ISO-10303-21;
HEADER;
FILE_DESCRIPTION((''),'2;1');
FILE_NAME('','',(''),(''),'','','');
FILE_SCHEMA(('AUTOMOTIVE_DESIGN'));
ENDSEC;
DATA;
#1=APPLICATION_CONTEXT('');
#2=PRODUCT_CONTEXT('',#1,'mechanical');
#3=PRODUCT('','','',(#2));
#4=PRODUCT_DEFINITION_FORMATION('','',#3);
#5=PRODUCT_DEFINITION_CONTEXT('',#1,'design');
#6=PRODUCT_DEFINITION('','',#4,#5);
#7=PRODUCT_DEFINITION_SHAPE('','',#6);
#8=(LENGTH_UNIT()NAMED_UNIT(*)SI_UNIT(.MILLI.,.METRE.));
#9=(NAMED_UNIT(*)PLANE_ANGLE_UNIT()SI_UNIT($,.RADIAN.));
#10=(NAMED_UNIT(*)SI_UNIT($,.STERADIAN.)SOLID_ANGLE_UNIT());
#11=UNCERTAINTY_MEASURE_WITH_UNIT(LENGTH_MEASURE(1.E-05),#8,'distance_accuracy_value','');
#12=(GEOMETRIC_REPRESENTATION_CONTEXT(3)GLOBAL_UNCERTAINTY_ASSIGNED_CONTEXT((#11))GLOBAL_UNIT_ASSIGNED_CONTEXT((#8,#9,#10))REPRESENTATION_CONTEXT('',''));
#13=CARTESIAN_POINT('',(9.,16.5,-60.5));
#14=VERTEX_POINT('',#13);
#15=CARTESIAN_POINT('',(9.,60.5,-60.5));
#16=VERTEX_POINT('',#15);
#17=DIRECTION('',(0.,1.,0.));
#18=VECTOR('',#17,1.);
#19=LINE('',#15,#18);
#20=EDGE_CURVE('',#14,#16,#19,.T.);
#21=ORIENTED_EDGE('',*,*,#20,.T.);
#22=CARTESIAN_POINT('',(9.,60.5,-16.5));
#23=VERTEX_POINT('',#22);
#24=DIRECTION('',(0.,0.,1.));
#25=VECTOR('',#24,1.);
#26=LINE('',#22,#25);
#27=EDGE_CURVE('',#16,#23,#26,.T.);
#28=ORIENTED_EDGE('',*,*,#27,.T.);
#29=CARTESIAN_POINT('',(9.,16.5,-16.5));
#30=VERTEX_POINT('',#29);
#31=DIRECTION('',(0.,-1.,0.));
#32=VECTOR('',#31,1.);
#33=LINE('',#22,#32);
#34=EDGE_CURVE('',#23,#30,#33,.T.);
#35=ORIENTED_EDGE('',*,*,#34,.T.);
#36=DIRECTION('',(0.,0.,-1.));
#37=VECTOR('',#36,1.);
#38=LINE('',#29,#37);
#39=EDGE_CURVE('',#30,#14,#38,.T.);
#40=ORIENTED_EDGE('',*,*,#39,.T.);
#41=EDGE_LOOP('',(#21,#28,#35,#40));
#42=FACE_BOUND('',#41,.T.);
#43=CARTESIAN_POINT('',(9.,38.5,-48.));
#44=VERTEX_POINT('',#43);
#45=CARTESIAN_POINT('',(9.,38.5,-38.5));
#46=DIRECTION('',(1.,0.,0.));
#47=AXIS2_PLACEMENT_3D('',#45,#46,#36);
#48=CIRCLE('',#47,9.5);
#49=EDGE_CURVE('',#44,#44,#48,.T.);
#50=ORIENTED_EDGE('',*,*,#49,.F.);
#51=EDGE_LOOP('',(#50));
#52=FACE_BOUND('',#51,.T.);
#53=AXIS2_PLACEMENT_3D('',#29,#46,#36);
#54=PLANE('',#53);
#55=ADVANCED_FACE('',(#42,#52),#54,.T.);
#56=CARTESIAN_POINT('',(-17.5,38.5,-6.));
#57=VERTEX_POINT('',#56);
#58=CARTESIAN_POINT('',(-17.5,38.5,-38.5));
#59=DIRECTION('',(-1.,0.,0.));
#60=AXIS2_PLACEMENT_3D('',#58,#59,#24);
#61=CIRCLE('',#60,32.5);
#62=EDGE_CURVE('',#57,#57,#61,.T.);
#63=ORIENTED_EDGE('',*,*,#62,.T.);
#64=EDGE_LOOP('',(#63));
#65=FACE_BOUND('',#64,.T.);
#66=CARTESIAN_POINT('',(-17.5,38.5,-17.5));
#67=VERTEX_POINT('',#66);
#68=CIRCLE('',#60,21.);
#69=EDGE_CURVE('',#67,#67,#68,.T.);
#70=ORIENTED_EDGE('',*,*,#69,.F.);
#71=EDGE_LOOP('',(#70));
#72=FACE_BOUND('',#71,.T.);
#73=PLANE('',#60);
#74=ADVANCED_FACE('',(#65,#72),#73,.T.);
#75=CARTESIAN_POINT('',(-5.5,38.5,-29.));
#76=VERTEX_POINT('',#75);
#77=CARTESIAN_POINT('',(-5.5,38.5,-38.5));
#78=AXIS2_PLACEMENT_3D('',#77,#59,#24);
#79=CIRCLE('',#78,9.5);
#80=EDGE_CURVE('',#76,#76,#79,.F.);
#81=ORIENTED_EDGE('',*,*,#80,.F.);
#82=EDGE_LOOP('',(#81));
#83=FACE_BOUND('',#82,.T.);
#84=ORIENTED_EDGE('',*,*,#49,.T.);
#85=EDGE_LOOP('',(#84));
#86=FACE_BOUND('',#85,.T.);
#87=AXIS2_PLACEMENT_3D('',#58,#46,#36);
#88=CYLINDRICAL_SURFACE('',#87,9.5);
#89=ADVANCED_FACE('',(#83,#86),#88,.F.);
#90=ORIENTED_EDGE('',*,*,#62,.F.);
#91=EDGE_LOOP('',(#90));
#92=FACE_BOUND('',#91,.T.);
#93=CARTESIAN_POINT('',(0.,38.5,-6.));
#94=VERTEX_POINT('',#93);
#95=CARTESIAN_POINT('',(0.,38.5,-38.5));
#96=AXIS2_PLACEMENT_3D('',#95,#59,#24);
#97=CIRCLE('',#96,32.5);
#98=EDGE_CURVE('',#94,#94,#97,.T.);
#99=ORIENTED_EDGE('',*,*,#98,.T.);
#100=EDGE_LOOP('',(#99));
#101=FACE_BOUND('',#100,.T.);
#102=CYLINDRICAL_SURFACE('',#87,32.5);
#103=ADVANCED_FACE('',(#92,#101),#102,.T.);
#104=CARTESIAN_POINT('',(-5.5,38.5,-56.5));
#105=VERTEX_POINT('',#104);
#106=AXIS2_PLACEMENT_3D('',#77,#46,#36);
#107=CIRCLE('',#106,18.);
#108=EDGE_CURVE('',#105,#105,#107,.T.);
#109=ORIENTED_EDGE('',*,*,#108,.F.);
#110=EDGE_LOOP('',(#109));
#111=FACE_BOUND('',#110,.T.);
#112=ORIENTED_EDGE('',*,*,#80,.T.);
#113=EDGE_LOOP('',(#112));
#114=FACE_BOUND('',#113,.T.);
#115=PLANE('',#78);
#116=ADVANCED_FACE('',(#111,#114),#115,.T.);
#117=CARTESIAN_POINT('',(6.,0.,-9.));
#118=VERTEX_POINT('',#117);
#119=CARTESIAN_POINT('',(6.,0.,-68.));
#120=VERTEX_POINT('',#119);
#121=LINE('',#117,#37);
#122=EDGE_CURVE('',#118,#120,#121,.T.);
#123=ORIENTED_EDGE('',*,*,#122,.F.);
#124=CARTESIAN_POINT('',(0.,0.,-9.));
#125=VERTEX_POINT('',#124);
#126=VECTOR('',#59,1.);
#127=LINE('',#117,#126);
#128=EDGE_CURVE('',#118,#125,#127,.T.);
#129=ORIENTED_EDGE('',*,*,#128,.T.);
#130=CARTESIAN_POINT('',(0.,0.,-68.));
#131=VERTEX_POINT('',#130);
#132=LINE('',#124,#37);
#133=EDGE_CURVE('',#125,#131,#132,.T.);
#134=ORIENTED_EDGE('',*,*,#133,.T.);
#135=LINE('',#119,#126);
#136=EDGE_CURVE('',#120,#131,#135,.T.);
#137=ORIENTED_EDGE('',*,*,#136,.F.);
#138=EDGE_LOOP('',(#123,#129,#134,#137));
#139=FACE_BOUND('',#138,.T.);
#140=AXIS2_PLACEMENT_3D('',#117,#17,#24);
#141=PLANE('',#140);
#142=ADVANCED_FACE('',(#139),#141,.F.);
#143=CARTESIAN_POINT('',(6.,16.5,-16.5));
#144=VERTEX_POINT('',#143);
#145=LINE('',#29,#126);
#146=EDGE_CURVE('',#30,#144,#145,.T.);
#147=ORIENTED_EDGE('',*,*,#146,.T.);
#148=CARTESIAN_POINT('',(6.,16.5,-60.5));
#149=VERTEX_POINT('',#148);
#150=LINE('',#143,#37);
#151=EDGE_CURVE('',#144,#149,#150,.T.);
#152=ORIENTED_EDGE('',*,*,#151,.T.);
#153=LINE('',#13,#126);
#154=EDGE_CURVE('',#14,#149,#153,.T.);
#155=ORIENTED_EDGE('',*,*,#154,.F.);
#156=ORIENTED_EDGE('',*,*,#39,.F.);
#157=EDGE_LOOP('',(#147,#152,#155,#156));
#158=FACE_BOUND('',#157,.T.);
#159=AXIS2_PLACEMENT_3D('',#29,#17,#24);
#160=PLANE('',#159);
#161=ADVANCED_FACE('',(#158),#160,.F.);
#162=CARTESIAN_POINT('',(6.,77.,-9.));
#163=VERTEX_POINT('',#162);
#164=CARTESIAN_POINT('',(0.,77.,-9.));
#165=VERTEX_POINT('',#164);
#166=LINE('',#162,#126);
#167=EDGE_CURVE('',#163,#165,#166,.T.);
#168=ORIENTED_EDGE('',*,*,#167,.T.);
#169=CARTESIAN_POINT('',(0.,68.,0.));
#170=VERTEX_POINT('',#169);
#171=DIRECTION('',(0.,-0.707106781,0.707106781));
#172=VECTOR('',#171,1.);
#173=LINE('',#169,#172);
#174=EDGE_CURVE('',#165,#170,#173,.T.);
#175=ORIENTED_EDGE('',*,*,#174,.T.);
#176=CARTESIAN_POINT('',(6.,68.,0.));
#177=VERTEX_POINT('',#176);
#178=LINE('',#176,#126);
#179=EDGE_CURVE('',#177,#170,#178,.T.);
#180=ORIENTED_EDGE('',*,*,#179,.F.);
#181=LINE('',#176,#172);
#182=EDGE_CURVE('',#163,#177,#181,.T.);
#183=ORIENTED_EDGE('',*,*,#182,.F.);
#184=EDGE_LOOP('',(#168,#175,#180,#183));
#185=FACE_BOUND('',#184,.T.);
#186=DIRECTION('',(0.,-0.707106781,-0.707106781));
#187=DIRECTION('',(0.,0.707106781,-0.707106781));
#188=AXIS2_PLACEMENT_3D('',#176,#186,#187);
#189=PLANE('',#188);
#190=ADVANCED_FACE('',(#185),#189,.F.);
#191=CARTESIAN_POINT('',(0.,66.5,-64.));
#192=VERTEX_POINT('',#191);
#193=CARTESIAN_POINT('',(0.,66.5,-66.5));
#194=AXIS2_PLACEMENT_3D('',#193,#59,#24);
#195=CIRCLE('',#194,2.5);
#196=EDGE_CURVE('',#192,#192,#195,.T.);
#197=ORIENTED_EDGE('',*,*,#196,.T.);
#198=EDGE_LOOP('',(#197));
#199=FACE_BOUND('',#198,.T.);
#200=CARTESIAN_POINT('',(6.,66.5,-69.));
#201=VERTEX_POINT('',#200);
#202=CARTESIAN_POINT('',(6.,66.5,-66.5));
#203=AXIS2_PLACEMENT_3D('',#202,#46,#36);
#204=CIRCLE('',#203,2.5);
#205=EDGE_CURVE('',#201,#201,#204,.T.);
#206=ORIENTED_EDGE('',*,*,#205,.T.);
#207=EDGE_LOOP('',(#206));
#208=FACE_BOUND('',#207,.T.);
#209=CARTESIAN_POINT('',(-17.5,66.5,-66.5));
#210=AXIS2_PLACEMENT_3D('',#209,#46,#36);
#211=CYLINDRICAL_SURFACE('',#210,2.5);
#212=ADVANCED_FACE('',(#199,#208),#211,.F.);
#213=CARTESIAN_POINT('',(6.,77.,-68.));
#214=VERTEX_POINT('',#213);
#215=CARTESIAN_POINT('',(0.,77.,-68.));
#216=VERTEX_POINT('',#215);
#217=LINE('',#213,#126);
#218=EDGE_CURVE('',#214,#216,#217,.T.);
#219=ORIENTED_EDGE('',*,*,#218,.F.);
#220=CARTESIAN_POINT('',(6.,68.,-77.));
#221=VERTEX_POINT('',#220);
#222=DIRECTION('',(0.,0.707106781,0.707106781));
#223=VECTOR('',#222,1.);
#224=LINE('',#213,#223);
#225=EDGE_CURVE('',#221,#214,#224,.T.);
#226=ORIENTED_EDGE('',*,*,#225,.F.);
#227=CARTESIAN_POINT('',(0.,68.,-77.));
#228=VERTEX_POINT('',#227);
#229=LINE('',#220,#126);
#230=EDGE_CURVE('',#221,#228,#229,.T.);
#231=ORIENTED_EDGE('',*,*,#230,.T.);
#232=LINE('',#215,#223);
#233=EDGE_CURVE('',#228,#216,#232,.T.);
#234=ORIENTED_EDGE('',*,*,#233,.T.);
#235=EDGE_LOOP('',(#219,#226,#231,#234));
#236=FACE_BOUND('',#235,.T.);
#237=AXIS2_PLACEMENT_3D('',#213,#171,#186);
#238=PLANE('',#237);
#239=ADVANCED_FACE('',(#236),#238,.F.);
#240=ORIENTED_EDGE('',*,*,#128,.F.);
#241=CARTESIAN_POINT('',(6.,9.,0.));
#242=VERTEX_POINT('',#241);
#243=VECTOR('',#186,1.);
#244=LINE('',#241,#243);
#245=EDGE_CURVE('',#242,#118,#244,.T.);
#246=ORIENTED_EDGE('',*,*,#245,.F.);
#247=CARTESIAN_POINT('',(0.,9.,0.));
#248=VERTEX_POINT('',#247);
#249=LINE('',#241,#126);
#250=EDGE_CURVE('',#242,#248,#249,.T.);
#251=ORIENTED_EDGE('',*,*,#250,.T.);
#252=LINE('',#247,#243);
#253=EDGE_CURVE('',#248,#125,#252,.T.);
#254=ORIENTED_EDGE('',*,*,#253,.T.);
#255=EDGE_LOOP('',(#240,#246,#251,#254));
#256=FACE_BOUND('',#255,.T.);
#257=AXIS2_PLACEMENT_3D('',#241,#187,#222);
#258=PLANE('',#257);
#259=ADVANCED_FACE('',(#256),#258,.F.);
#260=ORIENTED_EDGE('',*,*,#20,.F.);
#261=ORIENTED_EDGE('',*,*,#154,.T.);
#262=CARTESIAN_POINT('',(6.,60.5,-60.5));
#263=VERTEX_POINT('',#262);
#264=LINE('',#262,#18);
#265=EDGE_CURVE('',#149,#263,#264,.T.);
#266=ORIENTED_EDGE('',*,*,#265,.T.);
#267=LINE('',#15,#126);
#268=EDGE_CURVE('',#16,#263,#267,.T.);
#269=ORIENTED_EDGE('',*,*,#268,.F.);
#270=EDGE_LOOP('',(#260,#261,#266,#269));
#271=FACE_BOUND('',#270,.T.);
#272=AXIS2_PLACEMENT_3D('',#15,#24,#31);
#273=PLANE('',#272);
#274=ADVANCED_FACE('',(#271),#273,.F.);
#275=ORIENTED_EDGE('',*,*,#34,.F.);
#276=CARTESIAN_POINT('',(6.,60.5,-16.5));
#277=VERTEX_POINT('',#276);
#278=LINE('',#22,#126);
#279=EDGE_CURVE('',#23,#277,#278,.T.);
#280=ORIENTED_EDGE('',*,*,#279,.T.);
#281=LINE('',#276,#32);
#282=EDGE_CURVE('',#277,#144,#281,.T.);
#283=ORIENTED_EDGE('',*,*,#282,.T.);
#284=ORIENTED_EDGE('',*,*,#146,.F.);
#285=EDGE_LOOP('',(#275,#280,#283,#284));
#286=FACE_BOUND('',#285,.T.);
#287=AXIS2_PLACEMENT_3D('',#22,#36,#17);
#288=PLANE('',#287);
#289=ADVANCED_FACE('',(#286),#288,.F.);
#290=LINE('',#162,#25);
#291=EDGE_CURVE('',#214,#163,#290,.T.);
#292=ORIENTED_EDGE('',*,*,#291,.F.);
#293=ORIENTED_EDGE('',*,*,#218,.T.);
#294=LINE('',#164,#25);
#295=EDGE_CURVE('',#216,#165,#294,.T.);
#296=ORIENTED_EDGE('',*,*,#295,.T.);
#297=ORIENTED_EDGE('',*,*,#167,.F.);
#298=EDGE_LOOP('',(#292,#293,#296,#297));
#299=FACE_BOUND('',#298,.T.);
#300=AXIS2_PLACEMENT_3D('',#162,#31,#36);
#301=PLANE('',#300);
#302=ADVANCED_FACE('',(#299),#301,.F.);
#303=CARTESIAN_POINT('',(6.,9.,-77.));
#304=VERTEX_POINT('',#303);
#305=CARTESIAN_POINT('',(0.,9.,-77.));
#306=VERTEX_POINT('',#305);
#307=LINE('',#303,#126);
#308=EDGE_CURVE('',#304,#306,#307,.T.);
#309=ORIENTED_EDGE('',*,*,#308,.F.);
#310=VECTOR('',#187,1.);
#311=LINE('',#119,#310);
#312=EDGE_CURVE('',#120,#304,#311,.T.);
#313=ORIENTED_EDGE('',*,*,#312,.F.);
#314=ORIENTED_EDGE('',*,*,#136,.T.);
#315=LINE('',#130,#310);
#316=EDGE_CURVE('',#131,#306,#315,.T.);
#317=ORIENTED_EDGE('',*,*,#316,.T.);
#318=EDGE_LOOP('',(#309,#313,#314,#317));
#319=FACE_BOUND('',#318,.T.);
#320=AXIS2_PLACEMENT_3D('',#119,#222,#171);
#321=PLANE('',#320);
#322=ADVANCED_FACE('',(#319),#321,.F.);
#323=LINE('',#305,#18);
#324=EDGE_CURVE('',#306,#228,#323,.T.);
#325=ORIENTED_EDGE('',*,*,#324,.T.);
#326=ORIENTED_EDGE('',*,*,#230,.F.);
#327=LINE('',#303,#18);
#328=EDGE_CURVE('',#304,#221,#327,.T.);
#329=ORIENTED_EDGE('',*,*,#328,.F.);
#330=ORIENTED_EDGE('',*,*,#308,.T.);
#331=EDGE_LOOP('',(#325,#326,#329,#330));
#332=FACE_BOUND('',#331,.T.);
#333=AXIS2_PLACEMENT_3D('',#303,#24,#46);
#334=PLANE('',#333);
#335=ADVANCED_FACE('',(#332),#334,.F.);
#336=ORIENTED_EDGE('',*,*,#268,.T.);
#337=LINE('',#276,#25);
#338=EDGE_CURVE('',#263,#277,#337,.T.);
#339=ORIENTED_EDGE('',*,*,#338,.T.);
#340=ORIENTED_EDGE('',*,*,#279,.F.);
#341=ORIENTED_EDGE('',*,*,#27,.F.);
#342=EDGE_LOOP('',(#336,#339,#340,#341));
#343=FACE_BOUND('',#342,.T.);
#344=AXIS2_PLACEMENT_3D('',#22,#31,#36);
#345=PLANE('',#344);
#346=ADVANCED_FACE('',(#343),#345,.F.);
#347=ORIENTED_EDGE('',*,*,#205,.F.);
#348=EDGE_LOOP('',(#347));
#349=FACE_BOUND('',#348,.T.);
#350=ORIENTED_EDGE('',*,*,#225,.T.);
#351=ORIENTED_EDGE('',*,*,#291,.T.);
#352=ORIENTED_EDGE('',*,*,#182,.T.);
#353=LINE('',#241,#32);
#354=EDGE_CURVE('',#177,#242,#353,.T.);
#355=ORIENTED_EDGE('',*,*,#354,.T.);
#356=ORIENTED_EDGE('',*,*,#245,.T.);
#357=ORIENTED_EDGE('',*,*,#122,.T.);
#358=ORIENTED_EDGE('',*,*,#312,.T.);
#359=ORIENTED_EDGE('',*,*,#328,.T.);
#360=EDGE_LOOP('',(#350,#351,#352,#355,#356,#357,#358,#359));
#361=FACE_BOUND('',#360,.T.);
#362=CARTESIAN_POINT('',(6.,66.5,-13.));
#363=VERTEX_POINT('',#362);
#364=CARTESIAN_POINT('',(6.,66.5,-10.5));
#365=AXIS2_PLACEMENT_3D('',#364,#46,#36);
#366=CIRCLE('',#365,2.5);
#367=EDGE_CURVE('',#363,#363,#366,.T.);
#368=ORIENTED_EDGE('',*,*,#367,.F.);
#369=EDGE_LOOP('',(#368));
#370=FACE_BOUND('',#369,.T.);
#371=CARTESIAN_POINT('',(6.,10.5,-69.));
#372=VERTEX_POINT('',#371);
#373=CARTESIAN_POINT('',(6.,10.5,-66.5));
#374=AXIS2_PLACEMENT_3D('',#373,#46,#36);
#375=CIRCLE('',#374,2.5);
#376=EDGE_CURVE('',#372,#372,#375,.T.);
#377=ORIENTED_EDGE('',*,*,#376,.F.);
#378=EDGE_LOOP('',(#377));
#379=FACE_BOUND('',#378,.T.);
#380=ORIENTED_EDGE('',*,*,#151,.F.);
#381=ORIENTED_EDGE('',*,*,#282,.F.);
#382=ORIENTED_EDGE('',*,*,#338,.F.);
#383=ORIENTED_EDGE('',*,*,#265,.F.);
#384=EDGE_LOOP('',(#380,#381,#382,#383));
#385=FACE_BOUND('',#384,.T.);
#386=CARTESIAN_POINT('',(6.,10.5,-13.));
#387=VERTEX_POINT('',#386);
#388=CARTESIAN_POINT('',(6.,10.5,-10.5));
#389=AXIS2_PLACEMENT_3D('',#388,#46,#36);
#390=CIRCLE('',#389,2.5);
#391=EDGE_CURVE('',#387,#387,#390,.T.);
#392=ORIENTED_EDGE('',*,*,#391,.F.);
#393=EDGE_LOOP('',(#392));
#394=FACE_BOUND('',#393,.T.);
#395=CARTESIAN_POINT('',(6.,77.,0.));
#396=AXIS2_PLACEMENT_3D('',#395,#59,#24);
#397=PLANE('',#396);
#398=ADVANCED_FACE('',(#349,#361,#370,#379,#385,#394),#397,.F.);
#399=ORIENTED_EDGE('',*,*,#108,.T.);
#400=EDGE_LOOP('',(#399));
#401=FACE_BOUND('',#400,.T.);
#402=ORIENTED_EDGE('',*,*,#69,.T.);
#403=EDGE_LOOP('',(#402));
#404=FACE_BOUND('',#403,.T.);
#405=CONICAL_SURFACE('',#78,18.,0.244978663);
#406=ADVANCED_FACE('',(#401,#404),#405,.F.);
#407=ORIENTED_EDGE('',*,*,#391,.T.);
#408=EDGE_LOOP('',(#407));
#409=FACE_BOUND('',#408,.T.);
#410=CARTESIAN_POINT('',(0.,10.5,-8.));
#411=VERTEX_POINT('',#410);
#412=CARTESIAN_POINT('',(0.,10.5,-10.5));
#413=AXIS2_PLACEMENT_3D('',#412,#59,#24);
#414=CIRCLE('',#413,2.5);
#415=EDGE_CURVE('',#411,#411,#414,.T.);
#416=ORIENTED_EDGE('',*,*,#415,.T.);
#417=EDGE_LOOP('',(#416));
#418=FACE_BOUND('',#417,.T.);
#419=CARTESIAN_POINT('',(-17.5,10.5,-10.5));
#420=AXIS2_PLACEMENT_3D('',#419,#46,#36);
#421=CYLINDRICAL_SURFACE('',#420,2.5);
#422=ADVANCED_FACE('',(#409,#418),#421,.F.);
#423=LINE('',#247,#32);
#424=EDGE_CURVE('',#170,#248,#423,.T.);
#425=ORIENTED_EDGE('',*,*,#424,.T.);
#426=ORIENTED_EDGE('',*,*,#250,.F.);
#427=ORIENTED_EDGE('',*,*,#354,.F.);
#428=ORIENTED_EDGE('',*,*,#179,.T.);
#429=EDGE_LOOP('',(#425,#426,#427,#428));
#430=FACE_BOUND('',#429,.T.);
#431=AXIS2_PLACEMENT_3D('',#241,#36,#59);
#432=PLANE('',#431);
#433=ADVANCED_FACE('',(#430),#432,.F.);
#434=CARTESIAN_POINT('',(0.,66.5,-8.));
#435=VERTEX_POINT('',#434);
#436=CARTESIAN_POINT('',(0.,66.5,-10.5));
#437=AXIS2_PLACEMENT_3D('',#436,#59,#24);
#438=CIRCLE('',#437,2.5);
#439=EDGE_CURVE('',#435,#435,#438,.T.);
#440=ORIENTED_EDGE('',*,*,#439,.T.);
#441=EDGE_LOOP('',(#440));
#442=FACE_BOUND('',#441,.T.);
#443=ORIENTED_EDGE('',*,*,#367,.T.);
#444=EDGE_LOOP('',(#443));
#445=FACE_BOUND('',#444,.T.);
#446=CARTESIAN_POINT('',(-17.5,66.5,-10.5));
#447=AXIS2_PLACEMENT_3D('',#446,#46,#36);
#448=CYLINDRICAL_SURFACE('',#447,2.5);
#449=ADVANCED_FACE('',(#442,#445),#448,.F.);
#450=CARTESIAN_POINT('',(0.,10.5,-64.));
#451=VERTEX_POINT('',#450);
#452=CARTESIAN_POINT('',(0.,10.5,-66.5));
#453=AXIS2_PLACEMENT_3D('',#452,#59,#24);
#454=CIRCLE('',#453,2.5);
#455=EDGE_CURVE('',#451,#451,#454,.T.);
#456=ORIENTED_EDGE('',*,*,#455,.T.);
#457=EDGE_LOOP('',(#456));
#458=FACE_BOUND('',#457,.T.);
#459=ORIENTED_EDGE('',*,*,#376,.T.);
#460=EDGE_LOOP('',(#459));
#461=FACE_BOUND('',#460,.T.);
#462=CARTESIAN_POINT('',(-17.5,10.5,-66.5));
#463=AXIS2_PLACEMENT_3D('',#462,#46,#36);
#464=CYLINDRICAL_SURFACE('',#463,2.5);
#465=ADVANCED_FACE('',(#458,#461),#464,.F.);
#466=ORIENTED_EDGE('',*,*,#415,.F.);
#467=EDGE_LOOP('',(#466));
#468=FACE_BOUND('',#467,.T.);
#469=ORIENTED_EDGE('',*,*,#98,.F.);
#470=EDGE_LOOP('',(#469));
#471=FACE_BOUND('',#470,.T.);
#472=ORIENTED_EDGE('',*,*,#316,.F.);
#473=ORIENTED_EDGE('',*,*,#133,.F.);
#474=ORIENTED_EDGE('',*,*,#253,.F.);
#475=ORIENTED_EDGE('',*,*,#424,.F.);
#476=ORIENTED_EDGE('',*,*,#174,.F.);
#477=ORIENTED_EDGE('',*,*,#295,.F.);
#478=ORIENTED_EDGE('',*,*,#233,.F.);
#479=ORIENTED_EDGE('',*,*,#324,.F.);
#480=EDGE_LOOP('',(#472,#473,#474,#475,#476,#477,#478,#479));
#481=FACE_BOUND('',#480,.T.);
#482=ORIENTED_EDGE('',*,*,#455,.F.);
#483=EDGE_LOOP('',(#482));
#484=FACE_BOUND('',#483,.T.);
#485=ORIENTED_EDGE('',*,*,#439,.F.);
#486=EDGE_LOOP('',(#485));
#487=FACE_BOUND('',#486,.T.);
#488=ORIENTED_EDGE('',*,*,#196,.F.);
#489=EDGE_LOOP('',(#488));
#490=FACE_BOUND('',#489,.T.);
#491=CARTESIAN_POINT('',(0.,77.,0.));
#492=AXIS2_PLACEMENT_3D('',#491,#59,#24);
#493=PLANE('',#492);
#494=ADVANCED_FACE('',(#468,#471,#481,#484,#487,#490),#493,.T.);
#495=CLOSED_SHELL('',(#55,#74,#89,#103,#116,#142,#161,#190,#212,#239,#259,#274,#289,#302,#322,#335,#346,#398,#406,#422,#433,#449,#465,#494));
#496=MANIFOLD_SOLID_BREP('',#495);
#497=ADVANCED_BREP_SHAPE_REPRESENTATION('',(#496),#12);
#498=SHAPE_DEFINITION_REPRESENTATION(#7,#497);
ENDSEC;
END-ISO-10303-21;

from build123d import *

# Parameters (mm, degrees)
EXTRUDE1_DEPTH            = 6
SKETCH2_W                 = 44
SKETCH2_H                 = 44
EXTRUDE2_DEPTH            = 3
SKETCH4_R                 = 32.5
EXTRUDE3_DEPTH            = 17.5
SKETCH3_R                 = 9.5
EXTRUDE4_DEPTH            = 27.5
SKETCH16_R                = 21
EXTRUDE7_DEPTH            = 12
SKETCH19_R                = 2.5
EXTRUDE8_DEPTH            = 24.5
LPATTERN1_COUNT           = 2
LPATTERN1_PITCH           = 56
LPATTERN2_COUNT           = 2
LPATTERN2_PITCH           = 56
LPATTERN2_COPY_1_SKETCH_R = 2.5
LPATTERN2_COPY_1_DEPTH    = 24.5


with BuildPart() as part:
    # Sketch1 → Extrude1 (new body)
    with BuildSketch(Plane(origin=(0, 0, 0), x_dir=(0, 0, -1), z_dir=(1, 0, 0))):
        Polygon((0, 68), (9, 77), (68, 77), (77, 68), (77, 9), (68, 0), (9, 0), (0, 9), align=None)
    extrude(amount=EXTRUDE1_DEPTH)

    # Sketch2 → Extrude2 (add)
    with BuildSketch(Plane(origin=(6, 0, 0), x_dir=(0, 0, -1), z_dir=(1, 0, 0))):
        with Locations((38.5, 38.5)):
            Rectangle(SKETCH2_W, SKETCH2_H)
    extrude(amount=EXTRUDE2_DEPTH)

    # Sketch4 → Extrude3 (add)
    with BuildSketch(Plane.ZY):
        with Locations((-38.5, 38.5)):
            Circle(SKETCH4_R)
    extrude(amount=EXTRUDE3_DEPTH)

    # Sketch3 → Extrude4 (cut, through all)
    with BuildSketch(Plane(origin=(9, 0, 0), x_dir=(0, 0, -1), z_dir=(1, 0, 0))):
        with Locations((38.5, 38.5)):
            Circle(SKETCH3_R)
    extrude(amount=-EXTRUDE4_DEPTH, mode=Mode.SUBTRACT)

    # Sketch16 → Extrude7 (cut)
    with BuildSketch(Plane.ZY.offset(17.5)):
        with Locations((-38.5, 38.5)):
            Circle(SKETCH16_R)
    extrude(amount=-EXTRUDE7_DEPTH, mode=Mode.SUBTRACT)

    # Sketch18 → Revolve2 (revolve)
    with BuildSketch(Plane.XZ.offset(-38.5)):
        Polygon((-5.5, -56.5), (-5.5, -59.5), (-17.5, -59.5), align=None)
    revolve(axis=Axis((9, 38.5, -38.5), (-1, 0, 0)))

    # Sketch19 → Extrude8 (cut, through all)
    with BuildSketch(Plane(origin=(6, 0, 0), x_dir=(0, 0, -1), z_dir=(1, 0, 0))):
        with Locations((10.5, 66.5)):
            Circle(SKETCH19_R)
    extrude8 = extrude(amount=-EXTRUDE8_DEPTH, mode=Mode.SUBTRACT)

    # LPattern1: Extrude8 ×2
    with Locations(*[(0, 0, -i * LPATTERN1_PITCH) for i in range(1, LPATTERN1_COUNT)]):
        add(extrude8, mode=Mode.SUBTRACT)

    # LPattern2: Extrude8 ×2
    with Locations(*[(0, -i * LPATTERN2_PITCH, 0) for i in range(1, LPATTERN2_COUNT)]):
        add(extrude8, mode=Mode.SUBTRACT)

    # LPattern2 copy 1 sketch → LPattern2 copy 1 (cut, through all)
    with BuildSketch(Plane(origin=(6, -56, -56), x_dir=(0, 0, -1), z_dir=(1, 0, 0))):
        with Locations((10.5, 66.5)):
            Circle(LPATTERN2_COPY_1_SKETCH_R)
    extrude(amount=-LPATTERN2_COPY_1_DEPTH, mode=Mode.SUBTRACT)


solid = part.part
